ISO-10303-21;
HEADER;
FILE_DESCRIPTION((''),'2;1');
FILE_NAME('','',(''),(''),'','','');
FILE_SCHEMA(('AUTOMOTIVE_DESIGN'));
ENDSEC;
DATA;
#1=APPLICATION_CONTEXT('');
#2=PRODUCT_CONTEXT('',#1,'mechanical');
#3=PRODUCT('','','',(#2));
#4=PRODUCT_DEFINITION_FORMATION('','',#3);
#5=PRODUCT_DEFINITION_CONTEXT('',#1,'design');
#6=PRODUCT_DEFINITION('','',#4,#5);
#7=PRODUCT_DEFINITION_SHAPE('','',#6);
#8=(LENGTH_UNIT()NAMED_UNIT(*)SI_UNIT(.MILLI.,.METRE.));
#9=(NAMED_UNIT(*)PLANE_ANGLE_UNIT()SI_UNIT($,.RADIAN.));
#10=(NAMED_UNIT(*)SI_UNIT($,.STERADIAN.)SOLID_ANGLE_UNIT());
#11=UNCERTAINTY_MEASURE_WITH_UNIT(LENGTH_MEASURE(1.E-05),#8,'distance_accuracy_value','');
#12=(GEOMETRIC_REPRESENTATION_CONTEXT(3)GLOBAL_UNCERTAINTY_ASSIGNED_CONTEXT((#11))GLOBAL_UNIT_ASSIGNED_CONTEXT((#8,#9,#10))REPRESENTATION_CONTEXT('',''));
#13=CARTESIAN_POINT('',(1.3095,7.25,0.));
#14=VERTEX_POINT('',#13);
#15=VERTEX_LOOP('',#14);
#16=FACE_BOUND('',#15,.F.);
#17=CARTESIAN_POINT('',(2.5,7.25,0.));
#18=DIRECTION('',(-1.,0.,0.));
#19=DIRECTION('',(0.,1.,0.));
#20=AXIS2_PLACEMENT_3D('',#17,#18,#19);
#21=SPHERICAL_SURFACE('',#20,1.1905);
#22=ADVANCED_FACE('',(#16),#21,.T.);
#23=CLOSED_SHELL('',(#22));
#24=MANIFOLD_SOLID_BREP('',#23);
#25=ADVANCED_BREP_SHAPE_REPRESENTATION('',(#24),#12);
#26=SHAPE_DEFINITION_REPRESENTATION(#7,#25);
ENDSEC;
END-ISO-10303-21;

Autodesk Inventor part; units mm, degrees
ref_plane "YZ Plane" through (0, 0, 0) normal (1, 0, 0) x (0, 1, 0)
ref_plane "XZ Plane" through (0, 0, 0) normal (0, 1, 0) x (-1, 0, 0)
ref_plane "XY Plane" through (0, 0, 0) normal (0, 0, 1) x (1, 0, 0)
sketch "Sketch_6" plane through (0, 0, 0) normal (0, 0, 1) x (1, 0, 0)
  line L0 (3.6905, 7.25) -> (1.3095, 7.25)
  arc A0 (3.6905, 7.25) -> (1.3095, 7.25) centre (2.5, 7.25) ccw
  line L1 (3.6905, 7.25) -> (1.3095, 7.25)
  dimension "d0" = 360
revolve "Revolution1" add sketch "Sketch_6" angle 360 about axis through (3.6905, 7.25, 0) along (1, 0, 0)
properties part number "SKF_W 61800 R-2RS1_PART3"
